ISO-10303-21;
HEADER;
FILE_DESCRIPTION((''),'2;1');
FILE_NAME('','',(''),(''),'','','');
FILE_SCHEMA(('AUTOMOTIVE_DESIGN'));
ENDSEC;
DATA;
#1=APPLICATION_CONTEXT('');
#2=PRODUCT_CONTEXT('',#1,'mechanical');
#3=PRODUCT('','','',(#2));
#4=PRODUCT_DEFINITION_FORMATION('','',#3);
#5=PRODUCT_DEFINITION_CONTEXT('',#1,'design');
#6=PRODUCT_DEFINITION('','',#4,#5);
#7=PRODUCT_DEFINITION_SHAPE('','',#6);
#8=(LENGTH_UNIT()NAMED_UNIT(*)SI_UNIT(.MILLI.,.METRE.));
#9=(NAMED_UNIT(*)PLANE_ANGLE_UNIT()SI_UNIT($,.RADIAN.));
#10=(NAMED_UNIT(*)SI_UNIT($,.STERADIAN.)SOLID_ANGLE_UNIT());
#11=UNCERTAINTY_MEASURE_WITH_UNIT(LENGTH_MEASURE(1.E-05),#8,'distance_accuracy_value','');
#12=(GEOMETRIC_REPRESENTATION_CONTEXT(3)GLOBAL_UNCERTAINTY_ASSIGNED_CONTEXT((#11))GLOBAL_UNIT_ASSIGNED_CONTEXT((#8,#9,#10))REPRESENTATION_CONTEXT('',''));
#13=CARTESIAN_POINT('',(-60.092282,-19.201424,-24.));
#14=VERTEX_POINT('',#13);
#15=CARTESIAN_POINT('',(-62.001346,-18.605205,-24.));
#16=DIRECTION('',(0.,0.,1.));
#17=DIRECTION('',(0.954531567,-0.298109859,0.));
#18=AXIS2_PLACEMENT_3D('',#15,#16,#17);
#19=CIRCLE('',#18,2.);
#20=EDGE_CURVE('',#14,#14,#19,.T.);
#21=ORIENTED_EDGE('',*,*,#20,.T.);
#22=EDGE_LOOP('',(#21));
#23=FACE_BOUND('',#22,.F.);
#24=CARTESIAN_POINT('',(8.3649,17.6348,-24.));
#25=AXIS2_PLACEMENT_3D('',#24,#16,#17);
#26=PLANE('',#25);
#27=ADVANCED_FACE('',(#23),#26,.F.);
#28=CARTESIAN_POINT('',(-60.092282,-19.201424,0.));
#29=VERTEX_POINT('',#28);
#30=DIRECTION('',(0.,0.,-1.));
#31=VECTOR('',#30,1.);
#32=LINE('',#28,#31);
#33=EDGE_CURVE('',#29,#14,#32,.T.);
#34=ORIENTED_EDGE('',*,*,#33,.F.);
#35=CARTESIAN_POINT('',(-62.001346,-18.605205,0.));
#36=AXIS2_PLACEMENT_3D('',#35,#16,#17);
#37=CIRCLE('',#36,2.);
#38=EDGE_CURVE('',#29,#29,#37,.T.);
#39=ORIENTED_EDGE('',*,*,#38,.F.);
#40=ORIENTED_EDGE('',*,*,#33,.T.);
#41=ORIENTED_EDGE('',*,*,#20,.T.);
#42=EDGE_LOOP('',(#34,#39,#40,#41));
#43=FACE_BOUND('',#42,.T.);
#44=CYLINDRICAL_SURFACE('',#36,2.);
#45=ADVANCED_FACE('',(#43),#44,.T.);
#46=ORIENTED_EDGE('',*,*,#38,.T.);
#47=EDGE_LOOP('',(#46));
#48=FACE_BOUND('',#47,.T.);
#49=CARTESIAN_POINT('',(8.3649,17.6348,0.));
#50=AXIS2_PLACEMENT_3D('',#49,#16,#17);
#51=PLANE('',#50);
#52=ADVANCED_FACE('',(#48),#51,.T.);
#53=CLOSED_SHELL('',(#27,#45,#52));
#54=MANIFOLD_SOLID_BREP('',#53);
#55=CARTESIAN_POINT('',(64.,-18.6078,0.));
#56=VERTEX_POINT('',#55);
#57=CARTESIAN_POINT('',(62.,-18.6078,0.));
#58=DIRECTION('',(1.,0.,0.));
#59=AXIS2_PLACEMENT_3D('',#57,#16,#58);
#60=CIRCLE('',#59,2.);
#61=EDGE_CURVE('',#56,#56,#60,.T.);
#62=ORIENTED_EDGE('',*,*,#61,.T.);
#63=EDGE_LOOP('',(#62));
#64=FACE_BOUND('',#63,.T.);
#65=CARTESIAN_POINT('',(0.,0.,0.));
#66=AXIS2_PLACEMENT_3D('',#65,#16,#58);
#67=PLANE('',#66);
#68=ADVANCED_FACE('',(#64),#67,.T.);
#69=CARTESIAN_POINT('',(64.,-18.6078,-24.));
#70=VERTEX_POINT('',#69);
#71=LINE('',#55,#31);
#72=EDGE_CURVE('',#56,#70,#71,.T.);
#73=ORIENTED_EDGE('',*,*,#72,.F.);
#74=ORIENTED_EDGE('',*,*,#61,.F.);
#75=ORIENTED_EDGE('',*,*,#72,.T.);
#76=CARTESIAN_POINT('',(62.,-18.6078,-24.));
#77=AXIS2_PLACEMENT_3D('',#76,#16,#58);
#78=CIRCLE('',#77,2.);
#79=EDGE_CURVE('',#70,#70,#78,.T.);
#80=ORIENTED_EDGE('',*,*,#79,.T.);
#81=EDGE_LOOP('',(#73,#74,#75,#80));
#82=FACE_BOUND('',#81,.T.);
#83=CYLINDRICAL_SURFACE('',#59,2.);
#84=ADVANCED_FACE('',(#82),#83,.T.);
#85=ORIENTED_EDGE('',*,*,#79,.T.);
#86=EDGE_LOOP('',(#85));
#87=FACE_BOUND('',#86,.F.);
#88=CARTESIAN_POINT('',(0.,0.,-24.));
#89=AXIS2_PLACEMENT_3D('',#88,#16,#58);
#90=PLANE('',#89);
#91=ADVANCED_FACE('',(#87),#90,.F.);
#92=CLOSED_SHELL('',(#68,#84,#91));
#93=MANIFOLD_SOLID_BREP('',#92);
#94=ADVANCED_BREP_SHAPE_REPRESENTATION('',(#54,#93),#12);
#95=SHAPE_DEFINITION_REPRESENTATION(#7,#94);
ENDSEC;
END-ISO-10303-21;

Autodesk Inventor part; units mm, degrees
ref_plane "YZ Plane" through (0, 0, 0) normal (1, 0, 0) x (0, 1, 0)
ref_plane "XZ Plane" through (0, 0, 0) normal (0, 1, 0) x (-1, 0, 0)
ref_plane "XY Plane" through (0, 0, 0) normal (0, 0, 1) x (1, 0, 0)
sketch "Sketch1" plane through (0, 0, 0) normal (0, 0, 1) x (1, 0, 0)
  circle A0 centre (62, -18.6078) radius 2 projected
  point P0 (0, 0)
extrude "Extrusion1" add sketch "Sketch1" against normal blind 24
ref_plane "Work Plane1" through (8.3649, 17.6348, 0) normal (0, 0, 1) x (0.9545, -0.2981, 0)
sketch "Sketch2" plane through (8.3649, 17.6348, 0) normal (0, 0, 1) x (0.9545, -0.2981, 0)
  circle A0 centre (-56.3633, -55.5691) radius 2 projected
  point P0 (-2.7282, -19.3265)
extrude "Extrusion2" add sketch "Sketch2" against normal blind 24
properties part number "fitting"
